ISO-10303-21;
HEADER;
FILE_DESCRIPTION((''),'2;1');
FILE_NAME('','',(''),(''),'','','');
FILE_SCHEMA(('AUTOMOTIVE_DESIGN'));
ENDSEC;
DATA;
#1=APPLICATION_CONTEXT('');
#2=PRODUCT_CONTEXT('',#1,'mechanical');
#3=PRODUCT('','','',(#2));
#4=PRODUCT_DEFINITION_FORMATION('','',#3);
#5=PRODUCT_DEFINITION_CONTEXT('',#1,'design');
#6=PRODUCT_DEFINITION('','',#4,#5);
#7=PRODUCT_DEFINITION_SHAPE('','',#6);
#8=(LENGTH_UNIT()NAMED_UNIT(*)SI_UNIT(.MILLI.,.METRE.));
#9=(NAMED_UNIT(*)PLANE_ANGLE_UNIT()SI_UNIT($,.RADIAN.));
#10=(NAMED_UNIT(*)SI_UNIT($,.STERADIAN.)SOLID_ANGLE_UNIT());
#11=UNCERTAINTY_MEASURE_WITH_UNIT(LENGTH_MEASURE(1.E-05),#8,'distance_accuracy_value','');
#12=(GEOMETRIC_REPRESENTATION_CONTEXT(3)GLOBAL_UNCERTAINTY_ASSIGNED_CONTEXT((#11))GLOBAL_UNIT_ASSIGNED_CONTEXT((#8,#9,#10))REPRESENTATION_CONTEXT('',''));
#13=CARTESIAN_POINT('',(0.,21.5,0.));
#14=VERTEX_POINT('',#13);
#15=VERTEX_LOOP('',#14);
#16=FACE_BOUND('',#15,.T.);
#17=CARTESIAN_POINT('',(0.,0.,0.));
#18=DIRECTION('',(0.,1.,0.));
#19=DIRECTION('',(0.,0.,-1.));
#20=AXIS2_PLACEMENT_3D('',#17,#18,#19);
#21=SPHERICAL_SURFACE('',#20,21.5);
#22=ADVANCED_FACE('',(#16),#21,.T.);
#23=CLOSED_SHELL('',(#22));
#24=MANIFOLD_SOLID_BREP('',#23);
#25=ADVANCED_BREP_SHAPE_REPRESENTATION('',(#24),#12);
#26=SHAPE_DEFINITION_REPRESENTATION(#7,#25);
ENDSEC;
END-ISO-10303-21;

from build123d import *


with BuildPart() as part:
    # Sketch1 → Revolve4 (revolve)
    with BuildSketch(Plane(origin=(0, 0, 0), x_dir=(0, 0, -1), z_dir=(1, 0, 0))):
        with BuildLine():
            Line((0, 21.5), (0, -21.5))
            ThreePointArc((0, -21.5), (-21.5, 0), (0, 21.5))
        make_face()
    revolve(axis=Axis((0, 0, 0), (0, -1, 0)))


solid = part.part
